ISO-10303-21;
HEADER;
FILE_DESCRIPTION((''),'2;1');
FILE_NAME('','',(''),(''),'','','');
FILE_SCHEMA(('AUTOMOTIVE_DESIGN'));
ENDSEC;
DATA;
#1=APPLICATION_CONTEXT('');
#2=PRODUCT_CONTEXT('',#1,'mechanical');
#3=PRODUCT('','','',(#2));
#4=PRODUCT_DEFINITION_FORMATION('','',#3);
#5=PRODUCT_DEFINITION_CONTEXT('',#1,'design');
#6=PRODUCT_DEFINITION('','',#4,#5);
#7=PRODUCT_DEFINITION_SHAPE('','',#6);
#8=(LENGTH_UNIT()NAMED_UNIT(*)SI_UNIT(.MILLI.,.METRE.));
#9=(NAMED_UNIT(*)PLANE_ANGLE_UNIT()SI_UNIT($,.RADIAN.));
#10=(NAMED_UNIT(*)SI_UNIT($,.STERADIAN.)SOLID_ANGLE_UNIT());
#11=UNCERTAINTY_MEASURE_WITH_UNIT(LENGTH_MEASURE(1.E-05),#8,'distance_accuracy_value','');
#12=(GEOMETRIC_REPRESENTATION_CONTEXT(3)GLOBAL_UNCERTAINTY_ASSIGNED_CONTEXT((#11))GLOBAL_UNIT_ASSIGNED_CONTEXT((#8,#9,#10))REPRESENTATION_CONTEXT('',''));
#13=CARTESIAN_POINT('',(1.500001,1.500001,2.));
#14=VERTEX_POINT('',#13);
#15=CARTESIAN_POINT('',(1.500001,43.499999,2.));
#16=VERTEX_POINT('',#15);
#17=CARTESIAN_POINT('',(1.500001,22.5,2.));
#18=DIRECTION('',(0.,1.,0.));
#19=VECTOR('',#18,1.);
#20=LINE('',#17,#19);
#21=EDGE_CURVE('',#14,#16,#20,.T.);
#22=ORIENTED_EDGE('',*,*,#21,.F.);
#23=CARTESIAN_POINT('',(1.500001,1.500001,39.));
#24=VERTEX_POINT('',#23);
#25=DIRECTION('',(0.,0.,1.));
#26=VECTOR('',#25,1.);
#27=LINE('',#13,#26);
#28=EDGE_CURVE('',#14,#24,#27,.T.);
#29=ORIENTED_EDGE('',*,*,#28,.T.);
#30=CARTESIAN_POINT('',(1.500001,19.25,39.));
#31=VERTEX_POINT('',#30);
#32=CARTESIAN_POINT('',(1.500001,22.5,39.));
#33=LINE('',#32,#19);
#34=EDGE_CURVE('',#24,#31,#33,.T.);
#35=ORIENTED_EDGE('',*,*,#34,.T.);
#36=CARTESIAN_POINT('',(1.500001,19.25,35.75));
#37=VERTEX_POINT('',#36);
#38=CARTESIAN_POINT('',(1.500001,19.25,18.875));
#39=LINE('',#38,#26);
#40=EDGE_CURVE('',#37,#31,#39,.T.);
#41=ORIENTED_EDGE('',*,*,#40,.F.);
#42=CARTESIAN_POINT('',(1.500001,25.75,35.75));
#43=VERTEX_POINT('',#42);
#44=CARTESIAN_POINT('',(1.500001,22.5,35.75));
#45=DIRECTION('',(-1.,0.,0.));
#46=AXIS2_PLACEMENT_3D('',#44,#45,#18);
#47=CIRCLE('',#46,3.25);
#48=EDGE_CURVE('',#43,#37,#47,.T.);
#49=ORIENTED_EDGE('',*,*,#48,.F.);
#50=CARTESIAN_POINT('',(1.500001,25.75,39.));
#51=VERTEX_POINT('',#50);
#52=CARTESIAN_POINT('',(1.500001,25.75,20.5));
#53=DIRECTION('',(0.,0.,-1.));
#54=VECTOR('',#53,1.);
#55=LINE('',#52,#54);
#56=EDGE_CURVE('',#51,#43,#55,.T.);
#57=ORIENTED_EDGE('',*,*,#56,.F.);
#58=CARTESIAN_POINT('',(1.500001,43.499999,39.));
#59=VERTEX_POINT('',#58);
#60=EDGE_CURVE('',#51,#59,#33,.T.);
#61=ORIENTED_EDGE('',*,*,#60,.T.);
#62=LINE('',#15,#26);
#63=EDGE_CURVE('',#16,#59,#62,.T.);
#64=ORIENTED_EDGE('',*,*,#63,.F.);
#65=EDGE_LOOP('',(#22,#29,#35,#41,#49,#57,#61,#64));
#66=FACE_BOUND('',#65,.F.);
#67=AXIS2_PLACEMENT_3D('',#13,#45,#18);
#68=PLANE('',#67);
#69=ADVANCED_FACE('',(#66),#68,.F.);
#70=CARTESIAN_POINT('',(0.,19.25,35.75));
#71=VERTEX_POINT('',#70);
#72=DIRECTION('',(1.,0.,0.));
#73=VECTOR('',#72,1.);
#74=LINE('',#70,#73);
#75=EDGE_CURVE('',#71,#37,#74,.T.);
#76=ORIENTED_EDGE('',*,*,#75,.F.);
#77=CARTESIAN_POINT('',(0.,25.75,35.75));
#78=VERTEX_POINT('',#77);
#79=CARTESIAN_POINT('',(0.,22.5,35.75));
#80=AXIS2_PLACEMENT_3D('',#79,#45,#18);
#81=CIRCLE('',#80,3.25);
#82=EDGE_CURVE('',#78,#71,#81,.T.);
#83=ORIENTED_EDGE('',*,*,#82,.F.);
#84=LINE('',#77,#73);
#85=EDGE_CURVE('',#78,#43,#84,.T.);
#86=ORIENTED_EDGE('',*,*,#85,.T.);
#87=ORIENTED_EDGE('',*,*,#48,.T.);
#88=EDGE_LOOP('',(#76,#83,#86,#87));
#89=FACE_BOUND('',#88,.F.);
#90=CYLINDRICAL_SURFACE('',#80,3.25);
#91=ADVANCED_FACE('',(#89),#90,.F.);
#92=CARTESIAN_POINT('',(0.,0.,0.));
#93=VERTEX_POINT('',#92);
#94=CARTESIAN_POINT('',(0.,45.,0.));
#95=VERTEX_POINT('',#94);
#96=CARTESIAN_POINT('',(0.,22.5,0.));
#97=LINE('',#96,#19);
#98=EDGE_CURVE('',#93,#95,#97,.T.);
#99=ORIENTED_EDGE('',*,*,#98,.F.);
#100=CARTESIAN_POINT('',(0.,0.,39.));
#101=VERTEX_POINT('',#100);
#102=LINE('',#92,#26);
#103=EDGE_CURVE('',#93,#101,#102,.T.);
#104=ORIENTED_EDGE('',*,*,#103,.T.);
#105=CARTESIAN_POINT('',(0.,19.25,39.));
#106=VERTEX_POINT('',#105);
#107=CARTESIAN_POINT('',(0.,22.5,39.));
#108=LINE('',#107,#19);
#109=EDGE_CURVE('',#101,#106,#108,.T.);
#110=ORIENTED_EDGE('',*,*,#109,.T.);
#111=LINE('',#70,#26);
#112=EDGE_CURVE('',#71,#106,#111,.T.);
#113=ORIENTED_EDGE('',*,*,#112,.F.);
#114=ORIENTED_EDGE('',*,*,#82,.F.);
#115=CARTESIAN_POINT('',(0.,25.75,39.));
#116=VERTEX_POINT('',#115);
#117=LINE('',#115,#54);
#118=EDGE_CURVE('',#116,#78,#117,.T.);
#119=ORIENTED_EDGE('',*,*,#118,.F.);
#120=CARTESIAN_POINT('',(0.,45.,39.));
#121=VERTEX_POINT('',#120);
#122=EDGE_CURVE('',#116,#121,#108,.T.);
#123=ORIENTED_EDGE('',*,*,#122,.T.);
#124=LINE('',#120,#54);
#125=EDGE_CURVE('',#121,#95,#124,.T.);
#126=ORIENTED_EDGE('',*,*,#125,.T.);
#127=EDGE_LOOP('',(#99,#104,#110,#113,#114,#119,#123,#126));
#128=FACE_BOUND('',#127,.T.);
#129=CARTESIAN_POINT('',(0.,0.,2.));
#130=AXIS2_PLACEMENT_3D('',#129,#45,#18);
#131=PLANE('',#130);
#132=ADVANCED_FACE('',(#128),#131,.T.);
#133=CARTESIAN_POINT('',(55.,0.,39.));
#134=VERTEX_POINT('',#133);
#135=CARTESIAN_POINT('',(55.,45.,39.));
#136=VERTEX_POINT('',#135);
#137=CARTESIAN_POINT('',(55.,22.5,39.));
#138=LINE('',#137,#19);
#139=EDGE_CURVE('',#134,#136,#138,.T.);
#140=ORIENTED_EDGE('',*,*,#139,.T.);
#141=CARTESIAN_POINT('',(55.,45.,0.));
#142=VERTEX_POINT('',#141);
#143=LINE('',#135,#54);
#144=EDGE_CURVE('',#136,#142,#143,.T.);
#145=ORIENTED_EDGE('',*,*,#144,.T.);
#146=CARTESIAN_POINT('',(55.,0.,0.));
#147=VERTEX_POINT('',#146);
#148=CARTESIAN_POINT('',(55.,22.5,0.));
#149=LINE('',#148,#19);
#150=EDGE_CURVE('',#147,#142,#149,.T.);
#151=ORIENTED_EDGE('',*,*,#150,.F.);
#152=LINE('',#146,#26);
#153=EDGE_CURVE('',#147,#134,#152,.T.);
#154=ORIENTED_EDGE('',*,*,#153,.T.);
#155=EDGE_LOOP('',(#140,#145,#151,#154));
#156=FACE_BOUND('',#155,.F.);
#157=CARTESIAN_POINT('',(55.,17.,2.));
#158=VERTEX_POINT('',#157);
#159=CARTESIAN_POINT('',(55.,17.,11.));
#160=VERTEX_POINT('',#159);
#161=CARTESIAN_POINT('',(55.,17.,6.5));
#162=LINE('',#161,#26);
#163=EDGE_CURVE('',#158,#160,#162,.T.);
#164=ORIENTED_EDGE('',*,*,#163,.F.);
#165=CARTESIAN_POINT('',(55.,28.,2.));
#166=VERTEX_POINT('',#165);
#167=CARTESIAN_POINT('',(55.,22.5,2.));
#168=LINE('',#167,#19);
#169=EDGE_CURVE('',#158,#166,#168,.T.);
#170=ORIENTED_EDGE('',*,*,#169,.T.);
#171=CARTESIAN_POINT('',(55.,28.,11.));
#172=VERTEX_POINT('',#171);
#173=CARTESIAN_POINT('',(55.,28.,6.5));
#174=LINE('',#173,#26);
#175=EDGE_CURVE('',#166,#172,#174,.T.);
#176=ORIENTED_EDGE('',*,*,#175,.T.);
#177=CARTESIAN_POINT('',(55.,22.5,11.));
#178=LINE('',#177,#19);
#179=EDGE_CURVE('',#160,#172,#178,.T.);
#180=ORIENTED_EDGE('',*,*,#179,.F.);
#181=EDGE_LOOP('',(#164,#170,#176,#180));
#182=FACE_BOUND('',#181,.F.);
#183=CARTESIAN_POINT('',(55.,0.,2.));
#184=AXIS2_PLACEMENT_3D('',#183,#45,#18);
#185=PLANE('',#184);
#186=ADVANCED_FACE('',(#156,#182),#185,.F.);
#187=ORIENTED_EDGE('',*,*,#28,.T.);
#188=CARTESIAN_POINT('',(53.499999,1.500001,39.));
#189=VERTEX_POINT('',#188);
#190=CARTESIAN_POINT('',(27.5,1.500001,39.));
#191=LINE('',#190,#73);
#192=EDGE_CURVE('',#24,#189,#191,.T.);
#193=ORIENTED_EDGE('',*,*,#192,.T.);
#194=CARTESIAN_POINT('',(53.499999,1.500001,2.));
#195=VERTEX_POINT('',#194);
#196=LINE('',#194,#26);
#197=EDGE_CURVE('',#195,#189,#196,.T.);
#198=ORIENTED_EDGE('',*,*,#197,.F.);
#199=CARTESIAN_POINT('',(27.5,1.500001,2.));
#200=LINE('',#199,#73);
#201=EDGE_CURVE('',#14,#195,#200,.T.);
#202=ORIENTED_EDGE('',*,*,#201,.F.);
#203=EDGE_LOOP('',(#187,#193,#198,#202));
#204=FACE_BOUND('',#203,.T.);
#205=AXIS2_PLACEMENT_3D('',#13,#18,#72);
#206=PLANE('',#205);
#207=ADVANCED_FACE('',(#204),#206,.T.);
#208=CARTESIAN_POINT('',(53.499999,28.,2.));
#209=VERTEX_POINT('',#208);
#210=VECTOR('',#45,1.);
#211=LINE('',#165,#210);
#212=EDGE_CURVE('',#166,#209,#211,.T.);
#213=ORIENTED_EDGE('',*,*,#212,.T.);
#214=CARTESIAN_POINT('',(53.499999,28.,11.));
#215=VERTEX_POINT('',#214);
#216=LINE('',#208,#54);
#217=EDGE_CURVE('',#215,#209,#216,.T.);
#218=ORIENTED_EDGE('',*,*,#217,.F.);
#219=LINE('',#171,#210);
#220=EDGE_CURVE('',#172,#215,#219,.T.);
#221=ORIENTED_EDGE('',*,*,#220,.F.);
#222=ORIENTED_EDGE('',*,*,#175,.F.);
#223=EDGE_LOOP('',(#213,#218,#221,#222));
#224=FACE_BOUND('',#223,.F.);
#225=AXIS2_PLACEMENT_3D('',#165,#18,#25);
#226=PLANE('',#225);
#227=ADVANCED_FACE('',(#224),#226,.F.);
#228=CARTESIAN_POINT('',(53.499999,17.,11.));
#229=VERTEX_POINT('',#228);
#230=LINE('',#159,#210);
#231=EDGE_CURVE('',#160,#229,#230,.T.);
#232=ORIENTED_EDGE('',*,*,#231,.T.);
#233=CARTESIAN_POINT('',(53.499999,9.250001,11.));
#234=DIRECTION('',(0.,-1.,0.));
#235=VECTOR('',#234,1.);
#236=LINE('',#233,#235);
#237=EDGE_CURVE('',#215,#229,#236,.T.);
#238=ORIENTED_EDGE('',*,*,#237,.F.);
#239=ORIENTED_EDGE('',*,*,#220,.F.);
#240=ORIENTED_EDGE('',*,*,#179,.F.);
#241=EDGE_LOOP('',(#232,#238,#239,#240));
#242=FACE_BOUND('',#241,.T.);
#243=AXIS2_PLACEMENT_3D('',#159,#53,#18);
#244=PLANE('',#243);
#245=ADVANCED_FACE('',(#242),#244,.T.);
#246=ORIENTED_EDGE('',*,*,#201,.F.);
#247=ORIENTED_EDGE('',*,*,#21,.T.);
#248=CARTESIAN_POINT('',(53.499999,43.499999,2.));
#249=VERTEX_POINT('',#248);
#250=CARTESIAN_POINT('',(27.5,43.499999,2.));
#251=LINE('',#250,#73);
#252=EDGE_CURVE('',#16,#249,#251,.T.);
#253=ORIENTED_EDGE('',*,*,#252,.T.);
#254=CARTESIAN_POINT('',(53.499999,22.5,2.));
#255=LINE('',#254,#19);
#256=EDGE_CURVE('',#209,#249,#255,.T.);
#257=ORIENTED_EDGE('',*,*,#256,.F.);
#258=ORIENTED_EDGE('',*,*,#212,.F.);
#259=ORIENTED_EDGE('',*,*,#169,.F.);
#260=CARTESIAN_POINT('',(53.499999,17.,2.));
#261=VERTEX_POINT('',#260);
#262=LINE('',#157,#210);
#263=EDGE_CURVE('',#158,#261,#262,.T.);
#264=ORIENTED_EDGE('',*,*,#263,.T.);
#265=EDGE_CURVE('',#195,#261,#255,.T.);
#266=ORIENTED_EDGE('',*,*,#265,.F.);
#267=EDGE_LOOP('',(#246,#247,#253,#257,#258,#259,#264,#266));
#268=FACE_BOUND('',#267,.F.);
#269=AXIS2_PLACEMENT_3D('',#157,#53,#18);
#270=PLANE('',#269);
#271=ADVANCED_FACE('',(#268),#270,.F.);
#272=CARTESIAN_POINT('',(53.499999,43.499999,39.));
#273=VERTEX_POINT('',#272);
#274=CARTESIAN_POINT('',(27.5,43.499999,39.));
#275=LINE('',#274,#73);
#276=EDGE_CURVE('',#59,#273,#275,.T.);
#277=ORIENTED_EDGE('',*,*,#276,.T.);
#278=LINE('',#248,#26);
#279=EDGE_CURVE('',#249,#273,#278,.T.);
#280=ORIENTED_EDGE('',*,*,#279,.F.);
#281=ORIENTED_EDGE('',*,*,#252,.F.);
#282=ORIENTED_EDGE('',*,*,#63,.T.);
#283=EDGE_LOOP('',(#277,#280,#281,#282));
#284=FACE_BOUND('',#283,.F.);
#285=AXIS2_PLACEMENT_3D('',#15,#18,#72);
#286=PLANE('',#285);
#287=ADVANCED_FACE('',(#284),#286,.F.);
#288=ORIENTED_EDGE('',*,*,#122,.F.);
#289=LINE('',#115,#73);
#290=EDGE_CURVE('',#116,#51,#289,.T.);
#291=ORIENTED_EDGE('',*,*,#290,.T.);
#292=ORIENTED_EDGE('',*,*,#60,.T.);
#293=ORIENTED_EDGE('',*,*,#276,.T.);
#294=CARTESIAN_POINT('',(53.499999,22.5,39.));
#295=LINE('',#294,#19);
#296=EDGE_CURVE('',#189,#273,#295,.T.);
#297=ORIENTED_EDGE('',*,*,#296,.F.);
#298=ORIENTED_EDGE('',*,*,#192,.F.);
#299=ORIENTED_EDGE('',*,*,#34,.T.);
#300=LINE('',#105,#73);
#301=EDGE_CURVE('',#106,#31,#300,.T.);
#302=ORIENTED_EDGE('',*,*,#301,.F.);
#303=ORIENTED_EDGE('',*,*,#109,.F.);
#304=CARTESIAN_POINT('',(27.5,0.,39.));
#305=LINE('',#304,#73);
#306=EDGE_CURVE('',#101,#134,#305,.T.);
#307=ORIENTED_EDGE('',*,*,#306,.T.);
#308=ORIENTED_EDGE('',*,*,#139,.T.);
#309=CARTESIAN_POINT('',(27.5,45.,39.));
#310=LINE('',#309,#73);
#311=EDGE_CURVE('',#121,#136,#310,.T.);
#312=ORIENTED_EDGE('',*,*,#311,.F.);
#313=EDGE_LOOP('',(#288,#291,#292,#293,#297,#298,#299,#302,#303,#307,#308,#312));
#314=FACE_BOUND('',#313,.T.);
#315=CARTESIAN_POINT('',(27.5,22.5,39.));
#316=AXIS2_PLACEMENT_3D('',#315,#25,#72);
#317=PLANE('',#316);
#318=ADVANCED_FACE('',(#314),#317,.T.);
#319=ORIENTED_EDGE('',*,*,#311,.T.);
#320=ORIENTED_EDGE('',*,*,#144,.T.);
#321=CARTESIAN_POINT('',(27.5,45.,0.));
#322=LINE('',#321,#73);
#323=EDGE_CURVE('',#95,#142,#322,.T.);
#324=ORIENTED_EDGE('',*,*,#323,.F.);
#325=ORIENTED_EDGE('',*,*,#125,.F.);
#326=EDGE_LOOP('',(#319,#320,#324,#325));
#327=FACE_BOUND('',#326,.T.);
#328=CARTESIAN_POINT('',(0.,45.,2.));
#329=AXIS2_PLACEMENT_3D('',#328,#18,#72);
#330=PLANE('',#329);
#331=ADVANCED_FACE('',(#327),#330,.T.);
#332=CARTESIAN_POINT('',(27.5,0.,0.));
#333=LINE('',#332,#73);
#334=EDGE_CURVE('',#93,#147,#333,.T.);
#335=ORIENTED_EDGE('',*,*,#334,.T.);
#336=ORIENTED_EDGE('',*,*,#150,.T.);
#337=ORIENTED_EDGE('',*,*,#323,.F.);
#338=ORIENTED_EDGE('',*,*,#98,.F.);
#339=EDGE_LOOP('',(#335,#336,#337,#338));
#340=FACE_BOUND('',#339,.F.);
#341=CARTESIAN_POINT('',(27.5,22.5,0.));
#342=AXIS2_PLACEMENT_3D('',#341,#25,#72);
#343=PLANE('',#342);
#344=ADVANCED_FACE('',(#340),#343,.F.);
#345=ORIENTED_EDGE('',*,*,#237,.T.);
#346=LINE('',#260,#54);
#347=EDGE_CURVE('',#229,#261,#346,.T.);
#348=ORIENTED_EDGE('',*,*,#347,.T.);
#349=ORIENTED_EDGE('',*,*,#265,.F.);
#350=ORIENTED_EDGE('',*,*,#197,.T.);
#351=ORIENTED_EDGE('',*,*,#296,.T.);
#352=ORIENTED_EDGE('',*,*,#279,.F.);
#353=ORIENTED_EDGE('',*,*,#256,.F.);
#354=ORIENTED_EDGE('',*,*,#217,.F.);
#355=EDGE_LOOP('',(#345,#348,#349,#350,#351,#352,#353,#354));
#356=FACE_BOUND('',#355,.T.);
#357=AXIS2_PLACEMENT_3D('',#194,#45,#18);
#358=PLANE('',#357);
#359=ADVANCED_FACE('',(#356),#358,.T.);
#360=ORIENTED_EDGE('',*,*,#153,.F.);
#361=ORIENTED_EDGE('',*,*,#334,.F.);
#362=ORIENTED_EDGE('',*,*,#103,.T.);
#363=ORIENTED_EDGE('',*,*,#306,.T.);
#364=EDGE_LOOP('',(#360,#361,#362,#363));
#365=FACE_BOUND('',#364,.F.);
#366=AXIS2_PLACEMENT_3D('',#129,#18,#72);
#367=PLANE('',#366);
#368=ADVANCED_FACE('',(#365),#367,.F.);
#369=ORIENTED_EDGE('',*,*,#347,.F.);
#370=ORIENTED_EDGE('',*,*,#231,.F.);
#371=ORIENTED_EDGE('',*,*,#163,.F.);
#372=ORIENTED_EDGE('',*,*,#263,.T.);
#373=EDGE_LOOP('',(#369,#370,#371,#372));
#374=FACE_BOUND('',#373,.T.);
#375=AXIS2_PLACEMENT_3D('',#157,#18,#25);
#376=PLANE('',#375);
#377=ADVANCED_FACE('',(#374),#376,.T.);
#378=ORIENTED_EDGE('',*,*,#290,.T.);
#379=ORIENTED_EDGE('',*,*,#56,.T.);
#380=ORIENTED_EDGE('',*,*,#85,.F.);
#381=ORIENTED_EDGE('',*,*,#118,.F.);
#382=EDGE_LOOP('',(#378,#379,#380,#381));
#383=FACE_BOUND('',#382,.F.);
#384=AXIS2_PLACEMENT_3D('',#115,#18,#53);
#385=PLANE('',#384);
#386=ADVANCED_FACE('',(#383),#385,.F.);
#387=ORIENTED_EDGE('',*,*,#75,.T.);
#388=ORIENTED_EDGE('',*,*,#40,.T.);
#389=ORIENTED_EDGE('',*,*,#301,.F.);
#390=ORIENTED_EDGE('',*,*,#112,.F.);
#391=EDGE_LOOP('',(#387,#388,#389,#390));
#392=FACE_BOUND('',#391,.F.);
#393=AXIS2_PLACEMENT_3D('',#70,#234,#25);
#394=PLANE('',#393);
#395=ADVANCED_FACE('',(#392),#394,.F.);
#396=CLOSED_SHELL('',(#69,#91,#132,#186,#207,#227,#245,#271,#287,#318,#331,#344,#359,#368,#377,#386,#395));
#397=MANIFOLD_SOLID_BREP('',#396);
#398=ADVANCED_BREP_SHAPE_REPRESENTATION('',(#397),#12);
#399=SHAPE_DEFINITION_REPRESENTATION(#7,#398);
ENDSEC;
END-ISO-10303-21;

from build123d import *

# Parameters (mm, degrees)
F0_W     = 55
F0_H     = 45
F1_DEPTH = 2
F2_W     = 55
F2_H     = 45
F2_W_2   = 51.9999974966
F2_H_2   = 41.9999974966
F3_DEPTH = 37
F5_DEPTH = 25
F6_W     = 11
F6_H     = 9
F7_DEPTH = 25


with BuildPart() as f1:
    # F0 (on Top) → F1 (new body)
    with BuildSketch(Plane.XY):
        with Locations((27.5, 22.5)):
            Rectangle(F0_W, F0_H)
    extrude(amount=F1_DEPTH)

    # F2 (on face) → F3 (join)
    with BuildSketch(Plane.XY.offset(2)):
        with Locations((27.5, 22.5)):
            Rectangle(F2_W, F2_H)
        with Locations((27.5, 22.5)):
            Rectangle(F2_W_2, F2_H_2, mode=Mode.SUBTRACT)
    extrude(amount=F3_DEPTH)

    # F4 (on face) → F5 (cut)
    with BuildSketch(Plane(origin=(0, 0, 0), x_dir=(0, -1, 0), z_dir=(-1, 0, 0))):
        with BuildLine():
            Line((-25.75, 39), (-25.75, 35.75))
            ThreePointArc((-25.75, 35.75), (-22.5, 32.5), (-19.25, 35.75))
            Line((-19.25, 35.75), (-19.25, 39))
            Line((-19.25, 39), (-25.75, 39))
        make_face()
    extrude(amount=-F5_DEPTH, mode=Mode.SUBTRACT)

    # F6 (on face) → F7 (cut)
    with BuildSketch(Plane.YZ.offset(55)):
        with Locations((22.5, 6.5)):
            Rectangle(F6_W, F6_H)
    extrude(amount=-F7_DEPTH, mode=Mode.SUBTRACT)


solid = f1.part
